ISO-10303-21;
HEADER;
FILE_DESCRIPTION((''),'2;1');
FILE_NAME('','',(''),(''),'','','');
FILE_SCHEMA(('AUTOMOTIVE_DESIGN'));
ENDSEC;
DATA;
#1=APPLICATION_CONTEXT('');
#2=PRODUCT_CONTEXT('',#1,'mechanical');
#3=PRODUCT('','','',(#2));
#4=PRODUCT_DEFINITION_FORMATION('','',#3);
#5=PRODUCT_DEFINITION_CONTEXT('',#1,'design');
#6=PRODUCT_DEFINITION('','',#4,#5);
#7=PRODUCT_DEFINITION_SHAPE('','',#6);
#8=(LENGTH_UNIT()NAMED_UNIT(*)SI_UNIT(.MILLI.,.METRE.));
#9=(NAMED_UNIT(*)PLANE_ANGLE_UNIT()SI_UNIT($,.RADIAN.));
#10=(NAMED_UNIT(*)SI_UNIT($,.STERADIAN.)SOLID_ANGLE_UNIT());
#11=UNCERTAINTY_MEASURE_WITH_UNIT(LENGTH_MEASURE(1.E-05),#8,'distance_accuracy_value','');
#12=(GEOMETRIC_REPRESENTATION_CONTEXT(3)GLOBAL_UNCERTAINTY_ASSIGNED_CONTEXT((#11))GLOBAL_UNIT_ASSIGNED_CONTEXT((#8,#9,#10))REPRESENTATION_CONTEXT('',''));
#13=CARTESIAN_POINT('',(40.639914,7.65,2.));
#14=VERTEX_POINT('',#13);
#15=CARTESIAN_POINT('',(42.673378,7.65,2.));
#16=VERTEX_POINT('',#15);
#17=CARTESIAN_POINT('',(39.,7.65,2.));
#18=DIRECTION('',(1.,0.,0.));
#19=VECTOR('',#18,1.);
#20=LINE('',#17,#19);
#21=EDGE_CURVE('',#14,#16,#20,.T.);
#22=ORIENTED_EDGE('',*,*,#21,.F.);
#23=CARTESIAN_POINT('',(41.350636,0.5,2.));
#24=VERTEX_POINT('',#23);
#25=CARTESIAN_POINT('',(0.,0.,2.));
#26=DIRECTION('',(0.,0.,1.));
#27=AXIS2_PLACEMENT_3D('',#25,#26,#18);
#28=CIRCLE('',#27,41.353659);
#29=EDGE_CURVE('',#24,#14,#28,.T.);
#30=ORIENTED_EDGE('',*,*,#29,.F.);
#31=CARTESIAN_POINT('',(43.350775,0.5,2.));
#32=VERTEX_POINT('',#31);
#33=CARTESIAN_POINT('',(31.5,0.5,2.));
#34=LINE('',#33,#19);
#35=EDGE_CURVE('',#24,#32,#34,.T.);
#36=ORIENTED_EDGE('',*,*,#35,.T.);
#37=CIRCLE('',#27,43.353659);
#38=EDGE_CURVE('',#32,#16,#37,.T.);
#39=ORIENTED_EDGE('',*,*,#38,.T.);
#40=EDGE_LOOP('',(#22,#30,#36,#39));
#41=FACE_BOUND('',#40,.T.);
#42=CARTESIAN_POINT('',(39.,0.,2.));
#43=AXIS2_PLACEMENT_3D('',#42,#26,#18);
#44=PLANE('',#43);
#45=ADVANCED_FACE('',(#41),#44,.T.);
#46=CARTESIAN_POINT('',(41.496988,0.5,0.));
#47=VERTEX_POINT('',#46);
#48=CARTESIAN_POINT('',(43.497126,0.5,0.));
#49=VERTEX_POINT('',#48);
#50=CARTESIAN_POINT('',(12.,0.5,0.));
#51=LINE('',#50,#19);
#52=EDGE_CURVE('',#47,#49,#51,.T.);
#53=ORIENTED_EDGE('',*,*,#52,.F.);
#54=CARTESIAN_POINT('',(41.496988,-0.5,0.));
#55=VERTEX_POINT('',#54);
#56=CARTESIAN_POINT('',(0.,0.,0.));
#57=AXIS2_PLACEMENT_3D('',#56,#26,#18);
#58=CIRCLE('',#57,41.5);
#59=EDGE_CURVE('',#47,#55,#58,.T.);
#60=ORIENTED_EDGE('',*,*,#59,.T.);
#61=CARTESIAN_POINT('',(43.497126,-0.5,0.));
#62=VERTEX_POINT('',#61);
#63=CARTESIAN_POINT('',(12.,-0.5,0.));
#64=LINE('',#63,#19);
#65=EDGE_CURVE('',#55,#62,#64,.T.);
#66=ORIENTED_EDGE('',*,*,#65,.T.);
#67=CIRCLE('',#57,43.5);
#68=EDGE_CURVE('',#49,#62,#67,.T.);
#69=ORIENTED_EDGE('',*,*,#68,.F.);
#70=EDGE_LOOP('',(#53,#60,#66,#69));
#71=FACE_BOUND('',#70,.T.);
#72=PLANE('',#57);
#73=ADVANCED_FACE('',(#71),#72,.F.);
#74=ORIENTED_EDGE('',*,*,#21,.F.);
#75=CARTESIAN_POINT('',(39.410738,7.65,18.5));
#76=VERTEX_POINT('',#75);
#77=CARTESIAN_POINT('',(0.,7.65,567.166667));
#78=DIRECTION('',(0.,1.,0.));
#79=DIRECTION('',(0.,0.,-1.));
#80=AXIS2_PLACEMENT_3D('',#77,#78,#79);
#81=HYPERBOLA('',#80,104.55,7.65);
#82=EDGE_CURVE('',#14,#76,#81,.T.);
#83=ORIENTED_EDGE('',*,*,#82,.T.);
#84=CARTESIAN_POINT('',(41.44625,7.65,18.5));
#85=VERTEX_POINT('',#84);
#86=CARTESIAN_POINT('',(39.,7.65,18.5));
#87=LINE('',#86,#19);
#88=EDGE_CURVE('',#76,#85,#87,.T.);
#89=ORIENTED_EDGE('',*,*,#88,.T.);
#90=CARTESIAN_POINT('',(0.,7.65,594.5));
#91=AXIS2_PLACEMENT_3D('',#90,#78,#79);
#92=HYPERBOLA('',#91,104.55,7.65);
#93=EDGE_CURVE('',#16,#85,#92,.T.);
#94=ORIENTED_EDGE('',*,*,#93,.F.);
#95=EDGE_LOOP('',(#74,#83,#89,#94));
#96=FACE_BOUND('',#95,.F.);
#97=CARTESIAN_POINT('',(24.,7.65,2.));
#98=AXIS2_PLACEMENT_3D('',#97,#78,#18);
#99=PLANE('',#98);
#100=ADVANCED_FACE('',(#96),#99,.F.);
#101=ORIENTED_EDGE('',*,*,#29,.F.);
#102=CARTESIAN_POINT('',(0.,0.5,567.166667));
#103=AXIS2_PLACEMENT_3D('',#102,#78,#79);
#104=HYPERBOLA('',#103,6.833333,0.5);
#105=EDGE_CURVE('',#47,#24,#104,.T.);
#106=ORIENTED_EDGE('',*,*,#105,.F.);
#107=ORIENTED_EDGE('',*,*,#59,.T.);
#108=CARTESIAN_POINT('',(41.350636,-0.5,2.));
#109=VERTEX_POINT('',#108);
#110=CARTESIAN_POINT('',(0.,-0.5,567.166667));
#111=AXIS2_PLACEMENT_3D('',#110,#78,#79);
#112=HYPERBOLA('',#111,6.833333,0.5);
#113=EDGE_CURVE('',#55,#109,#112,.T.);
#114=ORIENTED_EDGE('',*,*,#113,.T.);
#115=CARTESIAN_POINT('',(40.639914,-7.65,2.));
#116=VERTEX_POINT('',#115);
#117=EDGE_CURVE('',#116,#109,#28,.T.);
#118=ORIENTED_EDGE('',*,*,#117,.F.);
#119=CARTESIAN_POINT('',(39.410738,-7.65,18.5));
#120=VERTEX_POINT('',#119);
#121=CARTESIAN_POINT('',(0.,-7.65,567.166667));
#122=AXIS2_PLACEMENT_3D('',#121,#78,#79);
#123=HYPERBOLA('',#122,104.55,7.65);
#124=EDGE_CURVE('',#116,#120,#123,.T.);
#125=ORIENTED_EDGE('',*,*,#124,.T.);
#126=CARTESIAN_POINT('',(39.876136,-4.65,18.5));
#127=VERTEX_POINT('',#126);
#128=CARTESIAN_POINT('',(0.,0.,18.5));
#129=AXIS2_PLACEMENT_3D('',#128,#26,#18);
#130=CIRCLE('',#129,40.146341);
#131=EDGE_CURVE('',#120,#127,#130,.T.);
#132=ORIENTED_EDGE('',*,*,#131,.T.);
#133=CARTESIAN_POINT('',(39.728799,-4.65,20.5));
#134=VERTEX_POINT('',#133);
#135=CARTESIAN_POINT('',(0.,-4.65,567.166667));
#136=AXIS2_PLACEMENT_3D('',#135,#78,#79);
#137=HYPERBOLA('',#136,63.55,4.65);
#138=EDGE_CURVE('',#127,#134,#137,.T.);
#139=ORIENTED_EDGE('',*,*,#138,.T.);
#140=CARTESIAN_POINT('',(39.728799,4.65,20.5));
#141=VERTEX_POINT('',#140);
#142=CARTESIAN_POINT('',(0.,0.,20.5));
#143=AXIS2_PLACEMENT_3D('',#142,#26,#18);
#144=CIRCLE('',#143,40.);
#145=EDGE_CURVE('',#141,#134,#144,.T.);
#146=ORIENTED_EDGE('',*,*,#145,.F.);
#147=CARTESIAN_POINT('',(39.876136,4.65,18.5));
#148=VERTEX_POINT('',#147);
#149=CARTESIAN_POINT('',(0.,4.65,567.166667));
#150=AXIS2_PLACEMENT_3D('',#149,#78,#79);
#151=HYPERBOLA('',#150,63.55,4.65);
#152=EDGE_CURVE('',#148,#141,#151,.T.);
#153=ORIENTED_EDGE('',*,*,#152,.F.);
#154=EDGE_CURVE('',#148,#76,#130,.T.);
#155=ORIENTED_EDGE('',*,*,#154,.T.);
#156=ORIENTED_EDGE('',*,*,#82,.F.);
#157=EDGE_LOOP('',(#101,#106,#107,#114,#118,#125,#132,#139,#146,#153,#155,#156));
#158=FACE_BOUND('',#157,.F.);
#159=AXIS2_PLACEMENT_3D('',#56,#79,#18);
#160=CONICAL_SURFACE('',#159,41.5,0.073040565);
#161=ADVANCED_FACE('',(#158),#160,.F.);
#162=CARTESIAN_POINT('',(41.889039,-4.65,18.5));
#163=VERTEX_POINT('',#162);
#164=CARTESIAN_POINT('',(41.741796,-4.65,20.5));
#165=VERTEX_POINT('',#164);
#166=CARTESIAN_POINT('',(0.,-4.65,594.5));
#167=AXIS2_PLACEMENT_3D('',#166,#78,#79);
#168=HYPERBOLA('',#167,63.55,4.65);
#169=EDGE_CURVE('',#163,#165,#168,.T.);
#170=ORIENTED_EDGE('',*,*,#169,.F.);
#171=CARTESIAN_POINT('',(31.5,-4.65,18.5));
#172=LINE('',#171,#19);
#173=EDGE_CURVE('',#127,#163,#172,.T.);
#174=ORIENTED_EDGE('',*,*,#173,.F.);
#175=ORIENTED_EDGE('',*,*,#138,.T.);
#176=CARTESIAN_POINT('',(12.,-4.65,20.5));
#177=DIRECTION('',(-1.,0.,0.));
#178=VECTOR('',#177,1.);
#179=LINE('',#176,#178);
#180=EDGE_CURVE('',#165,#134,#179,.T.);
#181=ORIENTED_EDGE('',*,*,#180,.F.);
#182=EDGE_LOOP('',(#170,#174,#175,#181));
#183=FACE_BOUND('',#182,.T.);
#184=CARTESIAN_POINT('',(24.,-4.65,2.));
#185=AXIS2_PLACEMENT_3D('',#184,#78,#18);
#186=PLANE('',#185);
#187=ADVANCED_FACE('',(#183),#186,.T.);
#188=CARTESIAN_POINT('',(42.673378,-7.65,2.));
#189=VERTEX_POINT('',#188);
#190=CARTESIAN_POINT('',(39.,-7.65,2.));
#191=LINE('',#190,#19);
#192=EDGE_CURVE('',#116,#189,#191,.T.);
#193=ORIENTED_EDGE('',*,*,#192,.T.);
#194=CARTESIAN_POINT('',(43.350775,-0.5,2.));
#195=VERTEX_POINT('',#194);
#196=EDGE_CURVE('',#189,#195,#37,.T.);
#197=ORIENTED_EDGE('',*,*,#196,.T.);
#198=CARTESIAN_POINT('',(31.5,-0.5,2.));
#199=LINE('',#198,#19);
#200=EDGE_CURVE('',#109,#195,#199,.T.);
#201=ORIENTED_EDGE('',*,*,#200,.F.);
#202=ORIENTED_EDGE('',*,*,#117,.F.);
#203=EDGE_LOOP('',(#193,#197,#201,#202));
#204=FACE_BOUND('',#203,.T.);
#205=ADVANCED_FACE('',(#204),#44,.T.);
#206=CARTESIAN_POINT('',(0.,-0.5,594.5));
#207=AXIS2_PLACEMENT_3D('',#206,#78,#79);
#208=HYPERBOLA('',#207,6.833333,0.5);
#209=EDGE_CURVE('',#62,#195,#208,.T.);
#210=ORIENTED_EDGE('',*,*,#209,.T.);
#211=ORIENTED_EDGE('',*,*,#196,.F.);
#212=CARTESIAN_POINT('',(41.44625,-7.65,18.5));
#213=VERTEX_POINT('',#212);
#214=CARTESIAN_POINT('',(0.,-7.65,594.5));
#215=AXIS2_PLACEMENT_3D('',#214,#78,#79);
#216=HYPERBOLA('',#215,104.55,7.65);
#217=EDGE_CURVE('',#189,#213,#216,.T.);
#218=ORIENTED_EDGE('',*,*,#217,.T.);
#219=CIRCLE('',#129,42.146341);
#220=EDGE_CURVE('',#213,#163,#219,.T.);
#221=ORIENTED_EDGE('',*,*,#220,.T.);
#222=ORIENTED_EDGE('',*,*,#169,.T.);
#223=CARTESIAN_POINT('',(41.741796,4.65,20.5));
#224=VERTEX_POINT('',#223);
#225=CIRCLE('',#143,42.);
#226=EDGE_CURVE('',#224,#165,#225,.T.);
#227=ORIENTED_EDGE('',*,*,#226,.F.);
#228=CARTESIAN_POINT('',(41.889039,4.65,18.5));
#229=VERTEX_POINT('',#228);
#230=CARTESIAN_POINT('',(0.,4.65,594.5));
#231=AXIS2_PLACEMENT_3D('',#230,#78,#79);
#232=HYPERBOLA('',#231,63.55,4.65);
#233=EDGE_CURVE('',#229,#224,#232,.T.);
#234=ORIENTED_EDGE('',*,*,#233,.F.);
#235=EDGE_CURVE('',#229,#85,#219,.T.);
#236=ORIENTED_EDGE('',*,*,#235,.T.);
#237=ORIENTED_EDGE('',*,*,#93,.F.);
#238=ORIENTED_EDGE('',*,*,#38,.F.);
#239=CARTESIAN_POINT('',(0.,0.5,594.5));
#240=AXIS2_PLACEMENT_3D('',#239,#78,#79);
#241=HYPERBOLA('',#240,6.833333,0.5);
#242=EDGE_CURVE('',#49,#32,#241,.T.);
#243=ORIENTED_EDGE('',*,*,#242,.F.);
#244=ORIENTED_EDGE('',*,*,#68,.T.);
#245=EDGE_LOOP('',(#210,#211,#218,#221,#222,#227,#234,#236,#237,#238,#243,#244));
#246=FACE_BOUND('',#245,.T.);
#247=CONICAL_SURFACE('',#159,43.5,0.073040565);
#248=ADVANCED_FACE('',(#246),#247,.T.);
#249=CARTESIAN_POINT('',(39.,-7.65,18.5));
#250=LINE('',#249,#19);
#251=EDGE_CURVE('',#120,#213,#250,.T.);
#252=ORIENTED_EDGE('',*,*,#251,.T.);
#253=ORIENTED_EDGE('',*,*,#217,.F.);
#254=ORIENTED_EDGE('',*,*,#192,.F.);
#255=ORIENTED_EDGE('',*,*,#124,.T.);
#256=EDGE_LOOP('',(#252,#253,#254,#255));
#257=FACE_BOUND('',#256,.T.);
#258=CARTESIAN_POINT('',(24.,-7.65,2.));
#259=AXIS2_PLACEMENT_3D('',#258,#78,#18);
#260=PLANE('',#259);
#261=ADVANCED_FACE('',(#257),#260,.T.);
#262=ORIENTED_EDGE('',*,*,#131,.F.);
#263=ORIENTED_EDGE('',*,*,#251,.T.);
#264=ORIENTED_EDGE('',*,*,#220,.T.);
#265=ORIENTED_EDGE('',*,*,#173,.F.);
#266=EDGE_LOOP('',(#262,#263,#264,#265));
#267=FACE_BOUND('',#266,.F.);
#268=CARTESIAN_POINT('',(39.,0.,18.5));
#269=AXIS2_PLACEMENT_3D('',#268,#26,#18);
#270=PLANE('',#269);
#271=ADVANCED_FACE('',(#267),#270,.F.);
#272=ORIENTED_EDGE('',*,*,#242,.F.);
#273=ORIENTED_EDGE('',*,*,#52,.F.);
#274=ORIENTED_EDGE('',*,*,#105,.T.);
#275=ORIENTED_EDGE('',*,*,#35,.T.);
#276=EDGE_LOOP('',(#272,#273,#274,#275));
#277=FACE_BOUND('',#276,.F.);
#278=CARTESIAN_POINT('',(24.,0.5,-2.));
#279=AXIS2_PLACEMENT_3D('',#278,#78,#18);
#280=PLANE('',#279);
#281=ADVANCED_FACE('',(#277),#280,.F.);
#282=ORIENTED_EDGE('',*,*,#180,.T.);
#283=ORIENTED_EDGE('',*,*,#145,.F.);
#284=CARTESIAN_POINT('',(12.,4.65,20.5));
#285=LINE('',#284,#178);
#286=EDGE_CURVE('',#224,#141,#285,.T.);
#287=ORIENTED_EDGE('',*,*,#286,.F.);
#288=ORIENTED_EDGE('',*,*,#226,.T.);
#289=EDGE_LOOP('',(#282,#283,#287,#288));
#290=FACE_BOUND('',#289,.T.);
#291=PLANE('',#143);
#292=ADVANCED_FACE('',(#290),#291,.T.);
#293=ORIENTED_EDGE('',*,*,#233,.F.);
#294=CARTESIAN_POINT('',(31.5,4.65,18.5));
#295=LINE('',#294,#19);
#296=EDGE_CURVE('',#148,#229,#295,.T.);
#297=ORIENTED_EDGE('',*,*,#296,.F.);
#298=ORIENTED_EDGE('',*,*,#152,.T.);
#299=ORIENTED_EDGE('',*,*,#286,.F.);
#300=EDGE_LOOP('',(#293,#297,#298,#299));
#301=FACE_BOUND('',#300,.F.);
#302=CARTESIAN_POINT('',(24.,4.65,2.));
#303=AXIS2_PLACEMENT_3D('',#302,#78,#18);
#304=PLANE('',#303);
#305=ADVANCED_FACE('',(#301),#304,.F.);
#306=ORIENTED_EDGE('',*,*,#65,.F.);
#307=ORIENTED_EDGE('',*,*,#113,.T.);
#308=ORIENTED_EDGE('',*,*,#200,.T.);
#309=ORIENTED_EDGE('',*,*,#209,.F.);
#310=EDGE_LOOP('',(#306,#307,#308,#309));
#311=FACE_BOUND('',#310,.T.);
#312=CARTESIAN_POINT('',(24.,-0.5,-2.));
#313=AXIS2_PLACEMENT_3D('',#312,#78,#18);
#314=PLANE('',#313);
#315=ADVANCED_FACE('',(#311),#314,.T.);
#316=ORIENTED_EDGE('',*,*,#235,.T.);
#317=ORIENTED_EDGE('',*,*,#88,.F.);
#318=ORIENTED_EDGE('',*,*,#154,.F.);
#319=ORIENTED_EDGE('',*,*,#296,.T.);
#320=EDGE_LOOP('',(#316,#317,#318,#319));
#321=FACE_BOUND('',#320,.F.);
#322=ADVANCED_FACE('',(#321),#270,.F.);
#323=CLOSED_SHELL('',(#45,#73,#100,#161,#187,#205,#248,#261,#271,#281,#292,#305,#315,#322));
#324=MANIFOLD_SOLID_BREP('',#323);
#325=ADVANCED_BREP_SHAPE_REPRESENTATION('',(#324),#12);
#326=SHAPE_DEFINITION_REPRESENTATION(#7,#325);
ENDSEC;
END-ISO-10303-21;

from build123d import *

# Parameters (mm, degrees)
BOX013_W     = 30
BOX013_H     = 9.3
BOX013_DEPTH = 25.5
BOX012_W     = 30
BOX012_H     = 15.3
BOX012_DEPTH = 16.5
BOX014_W     = 30
BOX014_H     = 1
BOX014_DEPTH = 25.5


with BuildPart() as cube013:
    # Box013 → Box013 (new body)
    with BuildSketch(Plane(origin=(24, -4.65, 2), x_dir=(1, 0, 0), z_dir=(0, 0, 1))):
        with Locations((15, 4.65)):
            Rectangle(BOX013_W, BOX013_H)
    extrude(amount=BOX013_DEPTH)


with BuildPart() as cube012:
    # Box012 → Box012 (new body)
    with BuildSketch(Plane(origin=(24, -7.65, 2), x_dir=(1, 0, 0), z_dir=(0, 0, 1))):
        with Locations((15, 7.65)):
            Rectangle(BOX012_W, BOX012_H)
    extrude(amount=BOX012_DEPTH)


with BuildPart() as cortador004:
    # Box014 → Box014 (new body)
    with BuildSketch(Plane(origin=(24, -0.5, -2), x_dir=(1, 0, 0), z_dir=(0, 0, 1))):
        with Locations((15, 0.5)):
            Rectangle(BOX014_W, BOX014_H)
    extrude(amount=BOX014_DEPTH)

    # Fusion006: union Cube013, Cube012
    add(cube013.part)
    add(cube012.part)


with BuildPart() as cone_chico:
    # Cone → Cone (revolve)
    with BuildSketch(Plane.XZ):
        Polygon((0, 0), (41.5, 0), (40, 20.5), (0, 20.5), align=None)
    revolve(axis=Axis((0, 0, 0), (0, 0, 1)))


with BuildPart() as taza_te_interior2:
    # Cone001 → Cone001 (revolve)
    with BuildSketch(Plane.XZ):
        Polygon((0, 0), (43.5, 0), (42, 20.5), (0, 20.5), align=None)
    revolve(axis=Axis((0, 0, 0), (0, 0, 1)))

    # Cut015014: cut Cone_chico
    add(cone_chico.part, mode=Mode.SUBTRACT)

    # Cut015027: cut cortador004
    add(cortador004.part, mode=Mode.SUBTRACT)


solid = taza_te_interior2.part
